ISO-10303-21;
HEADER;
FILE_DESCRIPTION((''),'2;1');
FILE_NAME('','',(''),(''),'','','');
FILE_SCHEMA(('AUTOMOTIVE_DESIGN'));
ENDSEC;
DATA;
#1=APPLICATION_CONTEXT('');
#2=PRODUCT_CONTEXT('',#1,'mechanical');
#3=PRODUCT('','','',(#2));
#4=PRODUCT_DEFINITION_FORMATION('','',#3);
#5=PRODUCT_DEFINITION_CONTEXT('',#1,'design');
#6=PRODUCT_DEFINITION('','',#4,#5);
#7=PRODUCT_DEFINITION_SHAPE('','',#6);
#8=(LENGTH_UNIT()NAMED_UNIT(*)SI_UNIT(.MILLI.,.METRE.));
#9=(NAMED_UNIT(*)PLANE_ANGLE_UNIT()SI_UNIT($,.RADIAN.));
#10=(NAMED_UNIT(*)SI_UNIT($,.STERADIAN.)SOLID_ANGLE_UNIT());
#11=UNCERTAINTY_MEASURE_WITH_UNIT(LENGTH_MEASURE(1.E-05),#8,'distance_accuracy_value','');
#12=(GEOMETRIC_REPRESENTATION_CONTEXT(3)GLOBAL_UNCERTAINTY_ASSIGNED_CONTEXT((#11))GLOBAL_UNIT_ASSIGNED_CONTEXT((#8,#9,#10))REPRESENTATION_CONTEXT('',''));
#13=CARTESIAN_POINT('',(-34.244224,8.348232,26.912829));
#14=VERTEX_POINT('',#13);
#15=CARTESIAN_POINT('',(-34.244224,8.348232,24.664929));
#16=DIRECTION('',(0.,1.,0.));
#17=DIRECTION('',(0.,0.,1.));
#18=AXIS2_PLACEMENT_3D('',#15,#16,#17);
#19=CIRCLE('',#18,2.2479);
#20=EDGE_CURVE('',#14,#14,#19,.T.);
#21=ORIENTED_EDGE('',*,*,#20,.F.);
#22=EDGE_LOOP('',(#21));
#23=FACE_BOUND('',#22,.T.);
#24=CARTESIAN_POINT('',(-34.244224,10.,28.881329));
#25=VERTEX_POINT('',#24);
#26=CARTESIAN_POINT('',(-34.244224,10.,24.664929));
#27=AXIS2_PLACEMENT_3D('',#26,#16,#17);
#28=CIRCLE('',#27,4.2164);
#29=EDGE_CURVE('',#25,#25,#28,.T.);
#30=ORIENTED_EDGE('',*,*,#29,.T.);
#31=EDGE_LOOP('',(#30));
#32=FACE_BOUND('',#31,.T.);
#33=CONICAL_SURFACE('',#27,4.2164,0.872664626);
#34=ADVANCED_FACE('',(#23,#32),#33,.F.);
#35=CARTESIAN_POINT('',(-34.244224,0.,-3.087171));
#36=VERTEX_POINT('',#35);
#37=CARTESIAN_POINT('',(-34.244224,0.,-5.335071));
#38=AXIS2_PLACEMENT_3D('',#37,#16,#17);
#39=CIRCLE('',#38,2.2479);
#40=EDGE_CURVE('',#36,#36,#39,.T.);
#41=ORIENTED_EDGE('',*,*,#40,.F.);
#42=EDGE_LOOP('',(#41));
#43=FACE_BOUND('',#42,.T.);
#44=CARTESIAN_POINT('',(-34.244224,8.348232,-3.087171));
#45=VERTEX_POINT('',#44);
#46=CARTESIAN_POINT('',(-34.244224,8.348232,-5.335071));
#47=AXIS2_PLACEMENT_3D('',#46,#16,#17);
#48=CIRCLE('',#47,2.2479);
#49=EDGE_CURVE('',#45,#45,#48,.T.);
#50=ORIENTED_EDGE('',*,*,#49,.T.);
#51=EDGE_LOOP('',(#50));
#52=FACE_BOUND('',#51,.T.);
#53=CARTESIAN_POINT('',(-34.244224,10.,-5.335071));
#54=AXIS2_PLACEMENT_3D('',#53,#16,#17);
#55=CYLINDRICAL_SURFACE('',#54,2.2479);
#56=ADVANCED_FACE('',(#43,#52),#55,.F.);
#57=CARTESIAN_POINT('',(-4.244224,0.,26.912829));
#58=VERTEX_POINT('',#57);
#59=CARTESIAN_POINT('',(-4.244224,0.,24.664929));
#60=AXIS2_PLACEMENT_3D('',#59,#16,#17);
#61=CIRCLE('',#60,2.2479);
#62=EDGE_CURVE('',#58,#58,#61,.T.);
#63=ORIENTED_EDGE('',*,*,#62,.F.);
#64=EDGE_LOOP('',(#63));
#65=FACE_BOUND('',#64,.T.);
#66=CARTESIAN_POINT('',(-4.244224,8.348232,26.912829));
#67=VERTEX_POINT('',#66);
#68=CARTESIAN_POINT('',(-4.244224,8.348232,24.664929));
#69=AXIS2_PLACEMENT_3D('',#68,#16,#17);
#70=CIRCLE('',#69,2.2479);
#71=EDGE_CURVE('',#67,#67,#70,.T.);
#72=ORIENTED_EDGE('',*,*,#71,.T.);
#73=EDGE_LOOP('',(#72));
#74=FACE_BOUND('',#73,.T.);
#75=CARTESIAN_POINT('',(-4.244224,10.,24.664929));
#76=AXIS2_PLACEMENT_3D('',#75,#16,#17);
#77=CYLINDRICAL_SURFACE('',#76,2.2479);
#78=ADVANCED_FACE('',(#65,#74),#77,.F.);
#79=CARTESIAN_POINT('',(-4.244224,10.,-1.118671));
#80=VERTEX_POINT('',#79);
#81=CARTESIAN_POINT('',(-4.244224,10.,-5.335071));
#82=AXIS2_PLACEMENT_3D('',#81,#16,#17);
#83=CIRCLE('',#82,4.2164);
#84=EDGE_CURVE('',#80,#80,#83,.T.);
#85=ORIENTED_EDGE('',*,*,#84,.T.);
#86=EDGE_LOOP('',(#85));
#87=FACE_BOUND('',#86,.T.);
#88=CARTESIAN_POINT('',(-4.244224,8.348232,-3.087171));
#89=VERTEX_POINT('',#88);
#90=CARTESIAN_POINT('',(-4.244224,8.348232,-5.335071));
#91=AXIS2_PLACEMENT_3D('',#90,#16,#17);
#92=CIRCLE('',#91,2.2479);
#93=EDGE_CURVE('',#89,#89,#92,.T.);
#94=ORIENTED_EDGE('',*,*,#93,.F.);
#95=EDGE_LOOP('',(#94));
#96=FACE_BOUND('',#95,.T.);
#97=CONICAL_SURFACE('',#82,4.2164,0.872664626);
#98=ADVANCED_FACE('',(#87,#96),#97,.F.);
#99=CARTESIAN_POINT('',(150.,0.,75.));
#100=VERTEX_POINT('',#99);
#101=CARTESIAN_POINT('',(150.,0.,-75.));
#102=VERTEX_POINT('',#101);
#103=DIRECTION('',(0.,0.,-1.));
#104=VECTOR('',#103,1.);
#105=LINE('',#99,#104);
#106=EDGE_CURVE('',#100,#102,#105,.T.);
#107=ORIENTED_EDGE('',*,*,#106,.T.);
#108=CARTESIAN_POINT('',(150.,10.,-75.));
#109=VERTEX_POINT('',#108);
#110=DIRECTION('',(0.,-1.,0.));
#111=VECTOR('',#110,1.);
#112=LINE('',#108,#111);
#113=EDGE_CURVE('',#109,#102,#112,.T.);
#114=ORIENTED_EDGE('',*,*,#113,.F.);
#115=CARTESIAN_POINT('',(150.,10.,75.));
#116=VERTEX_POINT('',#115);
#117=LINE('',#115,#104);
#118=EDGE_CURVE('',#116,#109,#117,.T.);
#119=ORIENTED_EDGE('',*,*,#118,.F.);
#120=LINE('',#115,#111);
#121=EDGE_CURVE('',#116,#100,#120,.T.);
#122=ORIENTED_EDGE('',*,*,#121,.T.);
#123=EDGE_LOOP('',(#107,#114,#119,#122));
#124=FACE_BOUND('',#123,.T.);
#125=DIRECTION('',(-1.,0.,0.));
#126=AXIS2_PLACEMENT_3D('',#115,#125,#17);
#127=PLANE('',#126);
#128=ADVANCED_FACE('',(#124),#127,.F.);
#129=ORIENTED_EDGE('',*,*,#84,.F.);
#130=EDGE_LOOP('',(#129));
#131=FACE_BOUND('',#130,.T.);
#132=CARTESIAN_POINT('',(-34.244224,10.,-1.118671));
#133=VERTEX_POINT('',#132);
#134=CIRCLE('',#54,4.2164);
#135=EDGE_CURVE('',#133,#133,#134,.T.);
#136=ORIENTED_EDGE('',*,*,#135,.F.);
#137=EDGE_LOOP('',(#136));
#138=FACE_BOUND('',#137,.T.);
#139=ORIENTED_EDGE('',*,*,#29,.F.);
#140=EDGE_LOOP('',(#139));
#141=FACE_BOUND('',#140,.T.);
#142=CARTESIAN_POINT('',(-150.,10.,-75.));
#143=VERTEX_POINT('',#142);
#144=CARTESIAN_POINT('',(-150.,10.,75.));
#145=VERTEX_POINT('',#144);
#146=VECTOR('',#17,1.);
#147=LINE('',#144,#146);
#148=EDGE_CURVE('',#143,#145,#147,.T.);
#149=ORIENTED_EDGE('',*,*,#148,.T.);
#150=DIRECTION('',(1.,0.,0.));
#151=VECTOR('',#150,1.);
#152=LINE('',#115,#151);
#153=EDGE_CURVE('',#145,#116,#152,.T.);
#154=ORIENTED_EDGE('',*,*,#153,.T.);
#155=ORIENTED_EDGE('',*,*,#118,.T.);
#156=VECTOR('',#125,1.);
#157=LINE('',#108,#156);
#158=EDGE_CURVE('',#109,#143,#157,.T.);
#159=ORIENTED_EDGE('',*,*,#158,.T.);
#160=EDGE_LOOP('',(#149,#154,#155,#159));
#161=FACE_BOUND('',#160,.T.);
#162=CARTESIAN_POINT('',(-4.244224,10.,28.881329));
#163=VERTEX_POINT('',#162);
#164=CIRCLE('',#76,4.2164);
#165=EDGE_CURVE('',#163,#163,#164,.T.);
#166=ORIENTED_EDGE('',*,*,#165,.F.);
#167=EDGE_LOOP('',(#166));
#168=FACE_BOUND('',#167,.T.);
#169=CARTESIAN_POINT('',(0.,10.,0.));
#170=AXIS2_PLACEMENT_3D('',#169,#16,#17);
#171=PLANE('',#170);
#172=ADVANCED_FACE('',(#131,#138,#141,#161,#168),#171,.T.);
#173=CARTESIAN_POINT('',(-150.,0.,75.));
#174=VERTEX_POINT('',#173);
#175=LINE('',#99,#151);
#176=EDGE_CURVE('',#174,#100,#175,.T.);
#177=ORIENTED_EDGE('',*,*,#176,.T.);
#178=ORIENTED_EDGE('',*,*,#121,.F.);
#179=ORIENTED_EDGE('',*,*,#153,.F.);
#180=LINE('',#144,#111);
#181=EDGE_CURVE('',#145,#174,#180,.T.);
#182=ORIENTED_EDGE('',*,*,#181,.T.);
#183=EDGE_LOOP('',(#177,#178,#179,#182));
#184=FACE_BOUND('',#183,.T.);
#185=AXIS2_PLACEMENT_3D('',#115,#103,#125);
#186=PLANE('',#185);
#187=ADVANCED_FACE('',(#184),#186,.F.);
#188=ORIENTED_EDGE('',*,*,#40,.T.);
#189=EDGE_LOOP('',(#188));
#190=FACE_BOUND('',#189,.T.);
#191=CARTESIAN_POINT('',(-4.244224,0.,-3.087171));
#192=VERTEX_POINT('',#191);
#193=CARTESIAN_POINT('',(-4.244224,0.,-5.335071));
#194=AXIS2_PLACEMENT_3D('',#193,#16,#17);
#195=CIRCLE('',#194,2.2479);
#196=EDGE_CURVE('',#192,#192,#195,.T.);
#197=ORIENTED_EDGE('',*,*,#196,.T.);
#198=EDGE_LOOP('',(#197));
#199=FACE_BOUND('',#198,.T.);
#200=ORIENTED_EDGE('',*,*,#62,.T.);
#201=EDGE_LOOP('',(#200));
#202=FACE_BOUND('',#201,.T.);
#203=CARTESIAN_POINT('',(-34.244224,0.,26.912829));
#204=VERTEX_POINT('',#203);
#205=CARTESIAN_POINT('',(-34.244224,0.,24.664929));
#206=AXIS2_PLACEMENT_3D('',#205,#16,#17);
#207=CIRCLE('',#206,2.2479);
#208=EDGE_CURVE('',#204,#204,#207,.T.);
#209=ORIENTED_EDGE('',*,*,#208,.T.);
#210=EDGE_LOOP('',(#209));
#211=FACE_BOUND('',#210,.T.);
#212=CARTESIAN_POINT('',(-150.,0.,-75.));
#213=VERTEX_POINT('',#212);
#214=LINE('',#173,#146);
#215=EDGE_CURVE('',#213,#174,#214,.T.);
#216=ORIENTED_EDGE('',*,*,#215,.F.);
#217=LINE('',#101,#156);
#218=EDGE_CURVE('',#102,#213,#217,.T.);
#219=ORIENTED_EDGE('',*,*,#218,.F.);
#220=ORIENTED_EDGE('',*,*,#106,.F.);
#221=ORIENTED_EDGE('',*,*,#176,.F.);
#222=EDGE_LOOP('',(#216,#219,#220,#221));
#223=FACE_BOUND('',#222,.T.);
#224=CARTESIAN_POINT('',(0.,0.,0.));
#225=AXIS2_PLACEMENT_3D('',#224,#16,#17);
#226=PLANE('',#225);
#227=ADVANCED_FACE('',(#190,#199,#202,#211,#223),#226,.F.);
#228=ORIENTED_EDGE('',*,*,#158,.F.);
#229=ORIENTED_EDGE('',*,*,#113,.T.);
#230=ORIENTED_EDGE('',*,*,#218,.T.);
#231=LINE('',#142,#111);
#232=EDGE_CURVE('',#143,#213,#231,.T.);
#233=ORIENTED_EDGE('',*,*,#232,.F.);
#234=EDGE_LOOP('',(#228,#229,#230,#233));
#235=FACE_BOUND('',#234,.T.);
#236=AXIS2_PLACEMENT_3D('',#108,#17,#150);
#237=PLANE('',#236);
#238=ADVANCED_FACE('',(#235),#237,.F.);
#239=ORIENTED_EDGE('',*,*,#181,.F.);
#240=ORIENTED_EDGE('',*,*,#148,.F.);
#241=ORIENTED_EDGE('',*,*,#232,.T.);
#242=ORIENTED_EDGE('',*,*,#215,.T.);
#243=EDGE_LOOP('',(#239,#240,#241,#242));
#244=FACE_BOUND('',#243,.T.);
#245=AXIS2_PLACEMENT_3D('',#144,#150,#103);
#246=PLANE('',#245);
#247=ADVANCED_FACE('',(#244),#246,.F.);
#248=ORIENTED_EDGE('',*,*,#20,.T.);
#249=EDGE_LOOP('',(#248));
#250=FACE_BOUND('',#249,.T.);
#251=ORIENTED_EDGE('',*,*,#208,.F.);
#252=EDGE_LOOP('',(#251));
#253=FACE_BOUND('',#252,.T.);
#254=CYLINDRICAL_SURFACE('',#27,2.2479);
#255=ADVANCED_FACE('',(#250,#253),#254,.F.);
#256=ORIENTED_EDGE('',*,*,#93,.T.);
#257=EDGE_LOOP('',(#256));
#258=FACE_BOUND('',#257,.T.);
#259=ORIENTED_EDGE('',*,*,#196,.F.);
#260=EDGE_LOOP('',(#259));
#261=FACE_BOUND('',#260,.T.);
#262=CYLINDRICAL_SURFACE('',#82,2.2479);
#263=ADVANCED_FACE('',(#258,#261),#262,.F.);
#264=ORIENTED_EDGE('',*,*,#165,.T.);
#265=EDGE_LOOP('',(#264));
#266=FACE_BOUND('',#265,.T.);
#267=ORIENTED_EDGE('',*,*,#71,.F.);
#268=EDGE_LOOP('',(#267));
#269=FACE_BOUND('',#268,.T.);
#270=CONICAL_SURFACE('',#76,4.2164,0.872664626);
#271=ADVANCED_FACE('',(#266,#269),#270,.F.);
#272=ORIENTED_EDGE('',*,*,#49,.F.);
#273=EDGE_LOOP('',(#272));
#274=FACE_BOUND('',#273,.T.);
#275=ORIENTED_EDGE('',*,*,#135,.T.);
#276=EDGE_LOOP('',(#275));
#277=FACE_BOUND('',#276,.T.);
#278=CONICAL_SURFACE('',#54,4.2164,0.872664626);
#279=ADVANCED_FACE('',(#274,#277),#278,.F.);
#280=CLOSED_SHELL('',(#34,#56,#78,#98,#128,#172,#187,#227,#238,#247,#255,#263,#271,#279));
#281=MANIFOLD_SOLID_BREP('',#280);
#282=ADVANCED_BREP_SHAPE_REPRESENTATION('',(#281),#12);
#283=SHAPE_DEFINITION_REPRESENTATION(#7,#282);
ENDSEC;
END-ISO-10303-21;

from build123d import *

# Parameters (mm, degrees)
SKETCH1_W                                         = 300
SKETCH1_H                                         = 150
BOSS_EXTRUDE1_DEPTH                               = 10
CSK_FOR_8_FLAT_HEAD_MACHINE_SCREW_100_D           = 4.4958
CSK_FOR_8_FLAT_HEAD_MACHINE_SCREW_100_CSINK_D     = 8.4328
CSK_FOR_8_FLAT_HEAD_MACHINE_SCREW_100_CSINK_ANGLE = 100


with BuildPart() as part:
    # Sketch1 → Boss-Extrude1 (new body)
    with BuildSketch(Plane(origin=(0, 0, 0), x_dir=(1, 0, 0), z_dir=(0, 1, 0))):
        Rectangle(SKETCH1_W, SKETCH1_H)
    extrude(amount=BOSS_EXTRUDE1_DEPTH)

    # CSK for #8 Flat Head Machine Screw (100)1 (through all)
    with Locations(Plane(origin=(0, 10, 0), x_dir=(1, 0, 0), z_dir=(0, 1, 0))):
        with Locations((-4.244224193, 5.335070952), (-4.244224193, -24.664929048), (-34.244224193, -24.664929048), (-34.244224193, 5.335070952)):
            CounterSinkHole(CSK_FOR_8_FLAT_HEAD_MACHINE_SCREW_100_D / 2, CSK_FOR_8_FLAT_HEAD_MACHINE_SCREW_100_CSINK_D / 2, counter_sink_angle=CSK_FOR_8_FLAT_HEAD_MACHINE_SCREW_100_CSINK_ANGLE)


solid = part.part
